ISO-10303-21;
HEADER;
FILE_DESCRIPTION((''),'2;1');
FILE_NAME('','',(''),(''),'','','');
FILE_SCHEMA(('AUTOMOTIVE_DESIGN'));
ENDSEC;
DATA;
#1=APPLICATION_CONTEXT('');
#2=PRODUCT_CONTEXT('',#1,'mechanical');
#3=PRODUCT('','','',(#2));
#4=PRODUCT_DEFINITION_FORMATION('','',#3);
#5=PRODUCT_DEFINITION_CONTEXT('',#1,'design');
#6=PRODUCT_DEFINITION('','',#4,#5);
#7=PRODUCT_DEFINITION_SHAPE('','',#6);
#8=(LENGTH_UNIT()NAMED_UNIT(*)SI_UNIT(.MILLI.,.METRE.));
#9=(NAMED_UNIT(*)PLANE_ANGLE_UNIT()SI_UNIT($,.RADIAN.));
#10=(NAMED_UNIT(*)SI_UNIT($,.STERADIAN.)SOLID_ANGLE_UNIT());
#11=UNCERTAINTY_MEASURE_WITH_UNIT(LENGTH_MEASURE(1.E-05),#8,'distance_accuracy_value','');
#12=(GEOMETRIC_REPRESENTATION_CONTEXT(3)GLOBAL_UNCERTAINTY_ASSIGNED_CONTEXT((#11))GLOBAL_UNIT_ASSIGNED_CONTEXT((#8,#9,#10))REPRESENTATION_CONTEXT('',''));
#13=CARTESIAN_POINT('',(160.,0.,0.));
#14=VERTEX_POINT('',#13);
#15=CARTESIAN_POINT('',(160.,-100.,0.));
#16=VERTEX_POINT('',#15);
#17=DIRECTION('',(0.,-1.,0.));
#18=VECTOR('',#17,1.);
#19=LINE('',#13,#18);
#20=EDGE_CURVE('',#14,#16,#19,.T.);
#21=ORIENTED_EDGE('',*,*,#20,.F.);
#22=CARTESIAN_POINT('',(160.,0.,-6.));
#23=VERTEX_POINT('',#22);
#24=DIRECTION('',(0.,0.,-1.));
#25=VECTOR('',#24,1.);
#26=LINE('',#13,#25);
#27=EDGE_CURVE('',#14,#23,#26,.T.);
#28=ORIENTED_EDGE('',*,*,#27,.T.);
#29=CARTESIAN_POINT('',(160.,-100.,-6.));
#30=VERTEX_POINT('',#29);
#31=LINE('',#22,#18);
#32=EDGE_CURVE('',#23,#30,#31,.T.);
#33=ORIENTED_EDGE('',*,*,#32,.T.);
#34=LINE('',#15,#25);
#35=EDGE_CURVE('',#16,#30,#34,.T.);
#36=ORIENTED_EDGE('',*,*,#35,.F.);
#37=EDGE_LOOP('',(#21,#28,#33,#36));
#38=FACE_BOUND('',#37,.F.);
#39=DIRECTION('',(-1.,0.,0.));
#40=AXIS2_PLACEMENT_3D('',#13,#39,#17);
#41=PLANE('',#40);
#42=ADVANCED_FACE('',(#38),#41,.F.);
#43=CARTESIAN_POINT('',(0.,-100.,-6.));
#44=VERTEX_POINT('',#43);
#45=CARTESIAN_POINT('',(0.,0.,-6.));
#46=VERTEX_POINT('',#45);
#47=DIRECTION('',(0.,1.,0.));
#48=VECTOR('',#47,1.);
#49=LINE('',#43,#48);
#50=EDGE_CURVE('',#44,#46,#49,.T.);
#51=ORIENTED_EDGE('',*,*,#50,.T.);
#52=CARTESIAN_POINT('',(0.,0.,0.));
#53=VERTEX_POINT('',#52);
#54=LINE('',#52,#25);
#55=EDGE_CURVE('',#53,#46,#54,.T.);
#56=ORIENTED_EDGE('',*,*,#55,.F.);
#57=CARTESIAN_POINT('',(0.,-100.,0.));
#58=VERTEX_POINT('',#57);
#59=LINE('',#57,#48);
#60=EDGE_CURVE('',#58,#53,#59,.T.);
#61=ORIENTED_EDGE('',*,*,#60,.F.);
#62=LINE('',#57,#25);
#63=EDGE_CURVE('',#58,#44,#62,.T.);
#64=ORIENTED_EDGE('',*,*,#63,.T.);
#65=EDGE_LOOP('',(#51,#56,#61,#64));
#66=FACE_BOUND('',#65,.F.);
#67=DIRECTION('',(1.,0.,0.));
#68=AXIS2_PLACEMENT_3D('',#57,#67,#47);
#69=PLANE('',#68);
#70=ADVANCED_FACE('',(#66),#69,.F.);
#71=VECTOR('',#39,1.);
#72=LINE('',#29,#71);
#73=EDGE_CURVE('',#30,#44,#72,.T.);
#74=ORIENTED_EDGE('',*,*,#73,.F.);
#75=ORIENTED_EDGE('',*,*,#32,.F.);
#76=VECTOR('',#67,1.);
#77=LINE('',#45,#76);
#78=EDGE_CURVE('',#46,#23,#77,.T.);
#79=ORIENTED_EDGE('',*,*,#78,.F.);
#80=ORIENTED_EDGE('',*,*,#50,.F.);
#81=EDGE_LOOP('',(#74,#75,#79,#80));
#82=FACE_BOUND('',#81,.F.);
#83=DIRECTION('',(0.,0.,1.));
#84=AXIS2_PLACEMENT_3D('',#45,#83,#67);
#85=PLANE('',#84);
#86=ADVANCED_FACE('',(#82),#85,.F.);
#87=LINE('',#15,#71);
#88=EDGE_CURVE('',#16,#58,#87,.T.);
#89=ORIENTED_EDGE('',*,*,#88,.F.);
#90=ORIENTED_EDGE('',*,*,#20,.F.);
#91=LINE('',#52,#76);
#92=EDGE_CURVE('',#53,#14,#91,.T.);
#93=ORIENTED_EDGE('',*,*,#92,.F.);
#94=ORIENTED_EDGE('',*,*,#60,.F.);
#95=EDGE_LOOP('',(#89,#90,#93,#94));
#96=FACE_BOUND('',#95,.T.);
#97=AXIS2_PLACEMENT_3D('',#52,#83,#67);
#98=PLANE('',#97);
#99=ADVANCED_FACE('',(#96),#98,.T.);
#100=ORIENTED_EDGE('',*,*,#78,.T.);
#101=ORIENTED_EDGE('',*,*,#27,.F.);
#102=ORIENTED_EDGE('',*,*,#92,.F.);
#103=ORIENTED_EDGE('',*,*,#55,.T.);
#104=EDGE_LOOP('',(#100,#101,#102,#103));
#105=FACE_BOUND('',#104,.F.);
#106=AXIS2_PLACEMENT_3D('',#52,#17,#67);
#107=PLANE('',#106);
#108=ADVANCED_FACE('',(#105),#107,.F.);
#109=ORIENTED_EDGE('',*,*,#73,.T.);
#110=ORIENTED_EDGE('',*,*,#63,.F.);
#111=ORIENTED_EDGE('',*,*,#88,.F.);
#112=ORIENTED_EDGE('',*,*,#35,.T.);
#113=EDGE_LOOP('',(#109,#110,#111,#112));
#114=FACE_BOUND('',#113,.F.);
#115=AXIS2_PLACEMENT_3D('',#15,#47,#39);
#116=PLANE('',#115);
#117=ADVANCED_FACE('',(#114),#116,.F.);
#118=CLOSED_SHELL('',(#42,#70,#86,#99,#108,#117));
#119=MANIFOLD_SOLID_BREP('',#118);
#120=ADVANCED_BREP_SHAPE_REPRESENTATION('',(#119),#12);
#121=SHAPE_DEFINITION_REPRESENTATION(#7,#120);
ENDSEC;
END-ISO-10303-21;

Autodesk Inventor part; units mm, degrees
ref_plane "YZ Plane" through (0, 0, 0) normal (1, 0, 0) x (0, 1, 0)
ref_plane "XZ Plane" through (0, 0, 0) normal (0, 1, 0) x (-1, 0, 0)
ref_plane "XY Plane" through (0, 0, 0) normal (0, 0, 1) x (1, 0, 0)
sketch "Sketch1" plane through (0, 0, 0) normal (0, 0, 1) x (1, 0, 0)
  line L0 (0, 0) -> (160, 0)
  line L1 (160, 0) -> (160, -100)
  line L2 (160, -100) -> (0, -100)
  line L3 (0, -100) -> (0, 0)
  dimension "d0" = 100
  dimension "d1" = 160
extrude "Extrusion1" add sketch "Sketch1" against normal blind 6
properties part number "Base Plate"
